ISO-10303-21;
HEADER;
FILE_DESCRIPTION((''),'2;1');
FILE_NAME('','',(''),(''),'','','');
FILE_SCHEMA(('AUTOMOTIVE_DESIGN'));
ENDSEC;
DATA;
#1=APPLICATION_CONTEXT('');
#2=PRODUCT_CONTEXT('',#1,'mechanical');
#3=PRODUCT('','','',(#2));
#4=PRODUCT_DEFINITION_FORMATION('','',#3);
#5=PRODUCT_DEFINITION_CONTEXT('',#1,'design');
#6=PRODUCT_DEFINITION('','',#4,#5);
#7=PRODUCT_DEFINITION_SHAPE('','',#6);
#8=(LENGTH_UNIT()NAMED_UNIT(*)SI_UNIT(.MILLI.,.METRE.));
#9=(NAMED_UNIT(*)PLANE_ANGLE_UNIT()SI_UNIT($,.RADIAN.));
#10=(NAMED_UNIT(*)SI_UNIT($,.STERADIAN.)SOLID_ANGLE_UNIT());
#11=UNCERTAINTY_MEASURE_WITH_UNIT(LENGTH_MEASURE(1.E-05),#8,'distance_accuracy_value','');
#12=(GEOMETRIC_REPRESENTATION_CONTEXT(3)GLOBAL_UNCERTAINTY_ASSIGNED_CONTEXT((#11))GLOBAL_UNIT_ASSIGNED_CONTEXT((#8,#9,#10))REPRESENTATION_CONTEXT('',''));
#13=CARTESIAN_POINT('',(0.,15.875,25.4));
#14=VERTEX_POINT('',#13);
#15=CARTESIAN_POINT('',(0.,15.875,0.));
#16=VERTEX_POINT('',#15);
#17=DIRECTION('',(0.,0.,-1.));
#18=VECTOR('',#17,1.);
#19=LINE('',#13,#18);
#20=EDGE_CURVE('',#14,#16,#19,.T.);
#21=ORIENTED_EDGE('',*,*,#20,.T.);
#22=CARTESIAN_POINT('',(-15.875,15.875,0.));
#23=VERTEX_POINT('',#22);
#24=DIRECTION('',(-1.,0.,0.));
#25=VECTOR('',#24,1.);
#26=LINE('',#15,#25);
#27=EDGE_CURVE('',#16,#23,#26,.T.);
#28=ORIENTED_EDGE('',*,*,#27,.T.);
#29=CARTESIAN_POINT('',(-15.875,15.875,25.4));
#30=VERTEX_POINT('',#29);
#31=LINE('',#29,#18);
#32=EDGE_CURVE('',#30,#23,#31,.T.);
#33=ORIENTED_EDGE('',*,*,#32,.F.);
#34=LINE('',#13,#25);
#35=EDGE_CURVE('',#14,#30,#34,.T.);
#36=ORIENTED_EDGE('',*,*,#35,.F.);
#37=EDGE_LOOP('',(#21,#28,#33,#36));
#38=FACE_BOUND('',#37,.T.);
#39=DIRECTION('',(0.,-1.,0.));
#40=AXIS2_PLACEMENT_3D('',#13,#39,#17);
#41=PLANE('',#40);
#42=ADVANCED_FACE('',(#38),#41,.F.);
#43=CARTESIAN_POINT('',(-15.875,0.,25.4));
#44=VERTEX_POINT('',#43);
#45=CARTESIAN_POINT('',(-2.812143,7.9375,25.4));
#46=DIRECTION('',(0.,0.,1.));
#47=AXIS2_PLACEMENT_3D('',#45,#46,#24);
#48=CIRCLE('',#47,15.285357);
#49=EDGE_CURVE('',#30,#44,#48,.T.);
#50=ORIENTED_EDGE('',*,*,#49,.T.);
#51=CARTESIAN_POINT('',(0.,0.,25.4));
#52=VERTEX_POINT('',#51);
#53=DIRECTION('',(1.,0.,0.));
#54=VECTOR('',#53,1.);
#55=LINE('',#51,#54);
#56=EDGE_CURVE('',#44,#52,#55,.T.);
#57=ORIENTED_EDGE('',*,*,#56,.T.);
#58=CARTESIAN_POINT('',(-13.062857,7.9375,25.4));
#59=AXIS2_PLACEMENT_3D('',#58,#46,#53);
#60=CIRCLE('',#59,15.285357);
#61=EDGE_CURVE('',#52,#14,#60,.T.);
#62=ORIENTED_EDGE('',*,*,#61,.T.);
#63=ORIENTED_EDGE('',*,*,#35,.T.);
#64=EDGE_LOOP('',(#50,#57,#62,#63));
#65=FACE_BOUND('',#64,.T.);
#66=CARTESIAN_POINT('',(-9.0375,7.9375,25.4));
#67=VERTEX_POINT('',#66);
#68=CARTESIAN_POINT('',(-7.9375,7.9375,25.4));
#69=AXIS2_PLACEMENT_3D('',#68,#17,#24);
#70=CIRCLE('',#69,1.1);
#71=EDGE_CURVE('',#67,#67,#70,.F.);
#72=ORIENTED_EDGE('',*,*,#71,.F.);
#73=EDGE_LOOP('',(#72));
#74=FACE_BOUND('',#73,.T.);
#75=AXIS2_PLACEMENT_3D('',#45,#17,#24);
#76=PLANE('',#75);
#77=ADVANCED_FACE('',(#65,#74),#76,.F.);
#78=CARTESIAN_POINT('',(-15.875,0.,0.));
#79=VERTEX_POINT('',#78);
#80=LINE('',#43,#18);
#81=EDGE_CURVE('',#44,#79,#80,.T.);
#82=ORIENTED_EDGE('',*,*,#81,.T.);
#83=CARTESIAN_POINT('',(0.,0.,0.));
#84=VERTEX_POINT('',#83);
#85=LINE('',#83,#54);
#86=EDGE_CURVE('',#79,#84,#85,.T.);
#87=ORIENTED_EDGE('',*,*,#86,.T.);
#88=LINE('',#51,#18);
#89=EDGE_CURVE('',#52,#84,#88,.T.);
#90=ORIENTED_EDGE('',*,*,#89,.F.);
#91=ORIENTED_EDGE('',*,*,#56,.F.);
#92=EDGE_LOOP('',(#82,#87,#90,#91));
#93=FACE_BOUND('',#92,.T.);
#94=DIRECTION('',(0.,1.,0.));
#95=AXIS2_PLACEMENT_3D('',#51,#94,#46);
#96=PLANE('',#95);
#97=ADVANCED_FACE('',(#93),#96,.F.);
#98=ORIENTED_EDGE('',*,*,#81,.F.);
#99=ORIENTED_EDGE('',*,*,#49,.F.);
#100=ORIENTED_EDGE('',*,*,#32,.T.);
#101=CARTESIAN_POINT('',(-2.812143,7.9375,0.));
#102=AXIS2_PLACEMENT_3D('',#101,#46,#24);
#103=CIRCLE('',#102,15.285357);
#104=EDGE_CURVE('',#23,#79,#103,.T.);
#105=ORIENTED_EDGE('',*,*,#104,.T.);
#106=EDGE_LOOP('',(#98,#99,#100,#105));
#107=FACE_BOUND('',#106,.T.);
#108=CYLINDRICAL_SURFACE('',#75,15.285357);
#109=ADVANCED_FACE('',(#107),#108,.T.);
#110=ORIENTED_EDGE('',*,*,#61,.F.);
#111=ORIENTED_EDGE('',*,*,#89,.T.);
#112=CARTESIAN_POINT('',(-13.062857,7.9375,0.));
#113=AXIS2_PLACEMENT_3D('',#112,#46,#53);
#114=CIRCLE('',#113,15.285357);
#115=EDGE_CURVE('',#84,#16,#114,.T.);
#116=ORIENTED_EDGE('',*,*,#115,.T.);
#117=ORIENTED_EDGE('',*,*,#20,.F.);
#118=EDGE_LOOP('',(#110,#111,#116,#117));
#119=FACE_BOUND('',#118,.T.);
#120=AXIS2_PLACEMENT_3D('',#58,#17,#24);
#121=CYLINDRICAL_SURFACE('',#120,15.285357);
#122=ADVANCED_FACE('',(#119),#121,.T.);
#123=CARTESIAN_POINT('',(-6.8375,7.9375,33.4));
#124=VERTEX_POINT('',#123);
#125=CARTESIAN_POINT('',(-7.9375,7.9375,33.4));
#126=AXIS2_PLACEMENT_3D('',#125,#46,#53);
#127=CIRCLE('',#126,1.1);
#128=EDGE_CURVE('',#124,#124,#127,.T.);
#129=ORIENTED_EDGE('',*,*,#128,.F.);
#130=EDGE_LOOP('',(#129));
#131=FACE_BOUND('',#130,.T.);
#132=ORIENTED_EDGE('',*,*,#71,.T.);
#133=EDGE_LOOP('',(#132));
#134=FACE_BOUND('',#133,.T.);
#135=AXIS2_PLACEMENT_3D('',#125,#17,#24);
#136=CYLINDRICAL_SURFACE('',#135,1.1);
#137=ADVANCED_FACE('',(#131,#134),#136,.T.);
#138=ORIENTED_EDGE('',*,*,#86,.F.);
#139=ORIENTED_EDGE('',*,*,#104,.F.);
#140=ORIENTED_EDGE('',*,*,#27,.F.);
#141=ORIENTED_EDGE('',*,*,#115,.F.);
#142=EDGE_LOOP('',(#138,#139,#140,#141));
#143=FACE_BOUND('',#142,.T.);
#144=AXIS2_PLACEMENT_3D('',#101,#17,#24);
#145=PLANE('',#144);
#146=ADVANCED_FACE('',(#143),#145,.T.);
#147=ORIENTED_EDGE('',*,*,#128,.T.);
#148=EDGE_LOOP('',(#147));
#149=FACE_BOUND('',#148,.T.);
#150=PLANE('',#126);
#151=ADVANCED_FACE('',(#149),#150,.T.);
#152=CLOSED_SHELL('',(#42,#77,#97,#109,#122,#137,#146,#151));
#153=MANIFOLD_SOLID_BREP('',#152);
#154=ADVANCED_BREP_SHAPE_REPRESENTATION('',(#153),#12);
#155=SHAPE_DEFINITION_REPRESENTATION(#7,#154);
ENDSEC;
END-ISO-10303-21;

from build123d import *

# Parameters (mm, degrees)
BOSS_EXTRUDE1_DEPTH = 25.4
SKETCH2_R           = 1.1
BOSS_EXTRUDE2_DEPTH = 8


with BuildPart() as part:
    # Sketch1 → Boss-Extrude1 (new body)
    with BuildSketch(Plane.XY):
        with BuildLine():
            Line((0, 0), (-15.875, 0))
            ThreePointArc((-15.875, 0), (-18.0975, 7.9375), (-15.875, 15.875))
            Line((-15.875, 15.875), (0, 15.875))
            ThreePointArc((0, 15.875), (2.2225, 7.9375), (0, 0))
        make_face()
    extrude(amount=BOSS_EXTRUDE1_DEPTH)

    # Sketch2 → Boss-Extrude2 (add)
    with BuildSketch(Plane.XY.offset(25.4)):
        with Locations(Location((-7.9375, 7.9375, 0), (0, 0, 180))):
            Circle(SKETCH2_R)
    extrude(amount=BOSS_EXTRUDE2_DEPTH)


solid = part.part
